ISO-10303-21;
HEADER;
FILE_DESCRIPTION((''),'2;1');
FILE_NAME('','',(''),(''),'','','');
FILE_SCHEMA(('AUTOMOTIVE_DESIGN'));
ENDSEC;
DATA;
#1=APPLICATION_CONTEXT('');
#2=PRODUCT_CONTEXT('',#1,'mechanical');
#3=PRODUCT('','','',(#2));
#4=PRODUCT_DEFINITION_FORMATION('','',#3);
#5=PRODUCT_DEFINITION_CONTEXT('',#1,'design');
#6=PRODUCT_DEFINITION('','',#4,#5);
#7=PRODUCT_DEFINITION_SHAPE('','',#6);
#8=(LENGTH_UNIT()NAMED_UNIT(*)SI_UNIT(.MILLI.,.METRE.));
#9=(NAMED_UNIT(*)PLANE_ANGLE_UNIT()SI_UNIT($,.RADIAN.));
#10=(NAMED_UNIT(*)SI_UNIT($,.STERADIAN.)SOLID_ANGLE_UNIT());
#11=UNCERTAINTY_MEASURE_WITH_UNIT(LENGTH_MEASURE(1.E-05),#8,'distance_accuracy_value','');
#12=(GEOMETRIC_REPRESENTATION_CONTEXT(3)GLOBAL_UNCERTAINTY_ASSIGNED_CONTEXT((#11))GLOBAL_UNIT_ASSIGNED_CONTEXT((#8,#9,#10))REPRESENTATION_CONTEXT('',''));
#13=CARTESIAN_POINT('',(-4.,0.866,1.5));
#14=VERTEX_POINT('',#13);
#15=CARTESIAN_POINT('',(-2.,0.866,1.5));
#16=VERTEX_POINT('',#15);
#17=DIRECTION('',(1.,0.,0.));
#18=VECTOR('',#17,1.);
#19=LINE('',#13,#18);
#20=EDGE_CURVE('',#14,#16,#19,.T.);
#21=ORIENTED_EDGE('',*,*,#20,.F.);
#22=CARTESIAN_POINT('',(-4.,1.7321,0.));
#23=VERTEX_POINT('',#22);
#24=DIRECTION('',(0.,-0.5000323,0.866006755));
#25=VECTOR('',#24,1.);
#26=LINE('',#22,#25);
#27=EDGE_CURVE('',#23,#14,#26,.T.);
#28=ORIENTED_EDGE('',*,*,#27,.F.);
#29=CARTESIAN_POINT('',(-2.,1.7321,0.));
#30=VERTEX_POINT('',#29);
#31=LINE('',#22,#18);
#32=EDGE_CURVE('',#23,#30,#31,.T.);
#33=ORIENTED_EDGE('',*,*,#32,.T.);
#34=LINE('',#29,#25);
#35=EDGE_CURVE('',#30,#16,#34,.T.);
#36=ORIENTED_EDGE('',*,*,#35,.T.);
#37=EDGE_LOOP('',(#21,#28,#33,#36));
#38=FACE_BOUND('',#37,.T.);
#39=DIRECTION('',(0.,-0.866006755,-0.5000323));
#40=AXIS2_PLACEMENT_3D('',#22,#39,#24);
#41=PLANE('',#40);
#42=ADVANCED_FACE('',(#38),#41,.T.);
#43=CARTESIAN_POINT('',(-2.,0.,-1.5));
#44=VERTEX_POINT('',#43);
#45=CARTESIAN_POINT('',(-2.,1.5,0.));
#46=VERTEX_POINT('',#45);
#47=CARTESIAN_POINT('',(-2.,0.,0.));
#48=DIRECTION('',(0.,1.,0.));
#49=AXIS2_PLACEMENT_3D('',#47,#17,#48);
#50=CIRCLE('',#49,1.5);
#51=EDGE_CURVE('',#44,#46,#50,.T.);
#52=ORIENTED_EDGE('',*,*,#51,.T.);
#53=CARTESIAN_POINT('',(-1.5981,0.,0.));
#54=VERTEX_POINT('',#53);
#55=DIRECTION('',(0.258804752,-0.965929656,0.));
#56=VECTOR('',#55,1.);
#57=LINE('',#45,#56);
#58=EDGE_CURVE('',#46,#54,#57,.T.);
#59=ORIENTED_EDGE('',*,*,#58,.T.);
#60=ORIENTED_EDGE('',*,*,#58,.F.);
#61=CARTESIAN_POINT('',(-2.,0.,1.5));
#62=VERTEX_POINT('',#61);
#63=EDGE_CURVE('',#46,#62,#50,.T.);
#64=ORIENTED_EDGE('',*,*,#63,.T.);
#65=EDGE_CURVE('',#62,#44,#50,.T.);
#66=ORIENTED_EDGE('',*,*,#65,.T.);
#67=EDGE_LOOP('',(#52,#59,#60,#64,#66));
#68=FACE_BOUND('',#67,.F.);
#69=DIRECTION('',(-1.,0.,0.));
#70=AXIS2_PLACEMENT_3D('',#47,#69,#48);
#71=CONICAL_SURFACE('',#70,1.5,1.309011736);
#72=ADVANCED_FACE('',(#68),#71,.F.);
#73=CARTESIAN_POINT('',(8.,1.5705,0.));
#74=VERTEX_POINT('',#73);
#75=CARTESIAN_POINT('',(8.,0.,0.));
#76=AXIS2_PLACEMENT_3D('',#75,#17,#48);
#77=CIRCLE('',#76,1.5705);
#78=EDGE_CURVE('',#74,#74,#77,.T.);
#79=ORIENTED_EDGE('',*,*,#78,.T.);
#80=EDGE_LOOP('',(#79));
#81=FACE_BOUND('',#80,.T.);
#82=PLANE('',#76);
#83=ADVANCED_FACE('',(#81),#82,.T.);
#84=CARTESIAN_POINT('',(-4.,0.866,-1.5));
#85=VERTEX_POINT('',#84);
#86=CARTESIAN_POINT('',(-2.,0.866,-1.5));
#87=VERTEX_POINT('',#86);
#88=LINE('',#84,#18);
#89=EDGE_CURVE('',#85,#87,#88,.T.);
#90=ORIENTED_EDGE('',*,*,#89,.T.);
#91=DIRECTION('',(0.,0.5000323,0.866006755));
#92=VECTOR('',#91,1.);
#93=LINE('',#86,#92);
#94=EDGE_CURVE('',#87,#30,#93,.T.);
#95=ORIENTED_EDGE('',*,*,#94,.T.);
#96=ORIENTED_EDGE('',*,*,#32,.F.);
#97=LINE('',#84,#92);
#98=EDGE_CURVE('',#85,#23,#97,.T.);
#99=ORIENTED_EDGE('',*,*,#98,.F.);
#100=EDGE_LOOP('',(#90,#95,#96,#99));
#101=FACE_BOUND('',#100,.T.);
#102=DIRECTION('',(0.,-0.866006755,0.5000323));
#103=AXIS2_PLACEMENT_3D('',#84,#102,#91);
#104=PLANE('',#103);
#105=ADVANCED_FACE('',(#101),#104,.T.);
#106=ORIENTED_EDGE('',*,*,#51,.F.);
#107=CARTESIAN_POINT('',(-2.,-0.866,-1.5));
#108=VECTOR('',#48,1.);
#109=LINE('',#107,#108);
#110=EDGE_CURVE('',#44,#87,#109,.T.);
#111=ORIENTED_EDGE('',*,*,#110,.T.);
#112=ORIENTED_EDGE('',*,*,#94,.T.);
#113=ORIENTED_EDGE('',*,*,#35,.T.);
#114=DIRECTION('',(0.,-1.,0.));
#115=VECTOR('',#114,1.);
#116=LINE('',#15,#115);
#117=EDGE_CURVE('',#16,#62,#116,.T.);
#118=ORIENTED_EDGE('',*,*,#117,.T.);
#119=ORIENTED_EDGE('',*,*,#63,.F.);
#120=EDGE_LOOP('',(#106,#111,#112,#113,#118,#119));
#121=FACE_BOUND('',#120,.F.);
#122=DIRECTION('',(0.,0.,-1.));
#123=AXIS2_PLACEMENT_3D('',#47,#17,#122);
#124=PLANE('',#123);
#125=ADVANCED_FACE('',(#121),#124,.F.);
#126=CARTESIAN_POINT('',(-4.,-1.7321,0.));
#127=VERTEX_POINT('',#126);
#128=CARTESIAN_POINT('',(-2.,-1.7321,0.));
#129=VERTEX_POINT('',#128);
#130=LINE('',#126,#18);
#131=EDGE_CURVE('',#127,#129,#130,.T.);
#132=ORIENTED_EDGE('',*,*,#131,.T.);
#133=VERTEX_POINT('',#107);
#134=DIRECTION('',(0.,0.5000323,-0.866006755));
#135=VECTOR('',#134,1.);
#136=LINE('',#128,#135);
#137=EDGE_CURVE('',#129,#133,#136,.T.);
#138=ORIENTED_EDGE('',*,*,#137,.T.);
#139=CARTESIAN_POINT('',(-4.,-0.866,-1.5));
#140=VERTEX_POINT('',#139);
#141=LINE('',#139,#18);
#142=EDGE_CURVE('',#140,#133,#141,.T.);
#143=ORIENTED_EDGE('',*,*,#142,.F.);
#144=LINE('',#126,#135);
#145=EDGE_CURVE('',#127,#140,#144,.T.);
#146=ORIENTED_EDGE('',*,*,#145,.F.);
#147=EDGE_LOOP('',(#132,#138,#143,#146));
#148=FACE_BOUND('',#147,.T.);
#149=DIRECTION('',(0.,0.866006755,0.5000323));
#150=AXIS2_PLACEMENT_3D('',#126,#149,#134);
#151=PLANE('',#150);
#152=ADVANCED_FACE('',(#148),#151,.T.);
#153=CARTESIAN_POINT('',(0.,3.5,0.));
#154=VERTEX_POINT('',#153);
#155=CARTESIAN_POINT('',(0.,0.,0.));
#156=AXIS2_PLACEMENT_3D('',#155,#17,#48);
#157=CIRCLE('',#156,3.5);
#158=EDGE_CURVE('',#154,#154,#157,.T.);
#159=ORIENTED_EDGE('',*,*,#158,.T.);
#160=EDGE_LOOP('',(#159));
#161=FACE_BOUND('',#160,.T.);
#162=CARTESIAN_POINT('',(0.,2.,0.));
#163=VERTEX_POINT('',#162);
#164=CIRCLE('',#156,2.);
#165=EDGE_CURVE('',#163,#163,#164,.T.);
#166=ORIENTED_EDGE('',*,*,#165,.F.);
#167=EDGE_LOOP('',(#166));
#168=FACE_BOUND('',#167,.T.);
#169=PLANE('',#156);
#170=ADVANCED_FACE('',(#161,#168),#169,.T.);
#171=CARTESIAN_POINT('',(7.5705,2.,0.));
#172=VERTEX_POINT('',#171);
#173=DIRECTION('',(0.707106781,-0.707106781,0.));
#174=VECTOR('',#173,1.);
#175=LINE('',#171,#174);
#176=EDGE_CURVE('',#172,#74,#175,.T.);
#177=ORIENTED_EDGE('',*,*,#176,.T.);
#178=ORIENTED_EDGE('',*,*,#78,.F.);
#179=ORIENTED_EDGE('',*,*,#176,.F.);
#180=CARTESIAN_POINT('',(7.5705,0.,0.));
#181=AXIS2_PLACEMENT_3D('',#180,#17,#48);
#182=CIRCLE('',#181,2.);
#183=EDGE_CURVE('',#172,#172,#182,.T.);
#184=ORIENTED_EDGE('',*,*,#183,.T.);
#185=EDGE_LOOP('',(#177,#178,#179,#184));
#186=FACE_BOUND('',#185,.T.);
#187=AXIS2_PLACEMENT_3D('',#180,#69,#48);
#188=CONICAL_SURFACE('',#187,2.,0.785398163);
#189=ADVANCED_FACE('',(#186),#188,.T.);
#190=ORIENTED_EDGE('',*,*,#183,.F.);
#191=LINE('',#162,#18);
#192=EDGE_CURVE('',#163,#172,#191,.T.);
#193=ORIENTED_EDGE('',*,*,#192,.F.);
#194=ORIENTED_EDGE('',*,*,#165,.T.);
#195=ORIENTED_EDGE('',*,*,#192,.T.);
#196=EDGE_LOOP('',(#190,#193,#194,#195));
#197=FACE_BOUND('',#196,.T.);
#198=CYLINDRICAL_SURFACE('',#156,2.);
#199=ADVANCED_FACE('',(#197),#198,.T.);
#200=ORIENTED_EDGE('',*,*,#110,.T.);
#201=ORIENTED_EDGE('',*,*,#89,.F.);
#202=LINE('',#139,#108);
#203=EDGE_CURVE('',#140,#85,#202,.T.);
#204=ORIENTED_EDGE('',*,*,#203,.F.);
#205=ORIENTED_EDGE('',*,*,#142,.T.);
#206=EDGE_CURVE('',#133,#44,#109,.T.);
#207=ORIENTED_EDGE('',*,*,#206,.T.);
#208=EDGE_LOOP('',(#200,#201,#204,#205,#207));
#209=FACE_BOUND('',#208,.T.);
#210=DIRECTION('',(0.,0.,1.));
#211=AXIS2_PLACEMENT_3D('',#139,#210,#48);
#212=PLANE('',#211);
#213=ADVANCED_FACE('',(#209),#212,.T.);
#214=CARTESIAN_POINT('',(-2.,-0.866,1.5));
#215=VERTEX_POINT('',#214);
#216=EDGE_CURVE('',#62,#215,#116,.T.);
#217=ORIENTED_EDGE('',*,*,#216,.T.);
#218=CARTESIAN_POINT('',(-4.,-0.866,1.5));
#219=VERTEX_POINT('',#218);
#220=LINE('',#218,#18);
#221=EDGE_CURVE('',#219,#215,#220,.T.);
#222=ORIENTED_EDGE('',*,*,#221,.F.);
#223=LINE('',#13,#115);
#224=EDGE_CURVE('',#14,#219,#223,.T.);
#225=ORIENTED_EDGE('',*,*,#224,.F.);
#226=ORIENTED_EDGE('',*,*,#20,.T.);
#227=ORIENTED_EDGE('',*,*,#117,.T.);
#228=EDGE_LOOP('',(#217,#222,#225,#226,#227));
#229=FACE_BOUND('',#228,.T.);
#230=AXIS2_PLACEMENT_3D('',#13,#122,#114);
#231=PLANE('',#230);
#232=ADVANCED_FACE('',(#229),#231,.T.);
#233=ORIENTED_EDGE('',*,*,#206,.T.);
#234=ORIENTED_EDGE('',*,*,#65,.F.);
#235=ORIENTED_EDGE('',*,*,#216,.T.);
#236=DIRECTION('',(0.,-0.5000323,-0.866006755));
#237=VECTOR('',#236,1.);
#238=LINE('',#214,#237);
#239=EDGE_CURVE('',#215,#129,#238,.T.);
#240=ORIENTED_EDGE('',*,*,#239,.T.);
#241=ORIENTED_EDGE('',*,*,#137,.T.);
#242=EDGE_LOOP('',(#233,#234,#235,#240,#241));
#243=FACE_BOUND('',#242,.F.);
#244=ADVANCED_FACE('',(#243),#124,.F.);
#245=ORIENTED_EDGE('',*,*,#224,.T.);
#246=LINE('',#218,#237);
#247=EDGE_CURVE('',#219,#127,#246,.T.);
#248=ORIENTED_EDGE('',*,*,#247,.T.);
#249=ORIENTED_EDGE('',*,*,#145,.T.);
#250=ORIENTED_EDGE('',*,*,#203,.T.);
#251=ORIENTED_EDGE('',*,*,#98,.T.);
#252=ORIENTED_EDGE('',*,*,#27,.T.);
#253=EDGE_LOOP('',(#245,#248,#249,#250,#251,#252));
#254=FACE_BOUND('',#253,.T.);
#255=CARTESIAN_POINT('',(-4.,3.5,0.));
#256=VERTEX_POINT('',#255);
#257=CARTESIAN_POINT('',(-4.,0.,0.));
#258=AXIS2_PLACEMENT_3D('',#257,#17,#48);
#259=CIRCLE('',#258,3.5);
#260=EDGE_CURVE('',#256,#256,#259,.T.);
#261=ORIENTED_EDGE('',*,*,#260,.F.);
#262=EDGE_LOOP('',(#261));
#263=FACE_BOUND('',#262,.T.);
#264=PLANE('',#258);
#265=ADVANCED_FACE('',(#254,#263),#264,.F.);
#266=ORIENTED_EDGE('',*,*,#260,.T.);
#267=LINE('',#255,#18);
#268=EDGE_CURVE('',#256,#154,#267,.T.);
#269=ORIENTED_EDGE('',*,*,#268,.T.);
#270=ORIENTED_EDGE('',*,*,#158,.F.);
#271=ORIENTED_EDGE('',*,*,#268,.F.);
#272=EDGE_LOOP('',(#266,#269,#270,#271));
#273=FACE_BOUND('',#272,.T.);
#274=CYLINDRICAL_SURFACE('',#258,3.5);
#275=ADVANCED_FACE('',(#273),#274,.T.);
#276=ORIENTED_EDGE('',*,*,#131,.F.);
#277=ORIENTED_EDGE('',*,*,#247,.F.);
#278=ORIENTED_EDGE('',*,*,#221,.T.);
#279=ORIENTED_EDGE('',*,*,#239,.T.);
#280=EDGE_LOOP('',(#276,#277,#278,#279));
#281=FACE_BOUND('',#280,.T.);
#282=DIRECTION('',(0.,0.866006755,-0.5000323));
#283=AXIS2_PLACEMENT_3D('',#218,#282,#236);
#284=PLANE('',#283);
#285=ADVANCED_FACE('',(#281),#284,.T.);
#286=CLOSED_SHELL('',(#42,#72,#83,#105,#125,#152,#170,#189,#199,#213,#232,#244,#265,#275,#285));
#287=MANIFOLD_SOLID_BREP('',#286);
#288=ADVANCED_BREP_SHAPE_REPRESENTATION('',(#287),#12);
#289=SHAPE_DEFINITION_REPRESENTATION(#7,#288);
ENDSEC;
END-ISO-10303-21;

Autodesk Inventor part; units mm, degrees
sketch "Sketch_1" plane through (0, 0, 0) normal (0, 0, 1) x (1, 0, 0)
  line L0 (8, 0) -> (-4, 0)
  line L1 (-4, 0) -> (-4, 3.5)
  line L2 (-4, 3.5) -> (0, 3.5)
  line L3 (0, 3.5) -> (0, 2)
  line L4 (0, 2) -> (7.5705, 2)
  line L5 (7.5705, 2) -> (8, 1.5705)
  line L6 (8, 1.5705) -> (8, 0)
  line L7 (8, 0) -> (-4, 0)
revolve "Revolution1" add sketch "Sketch_1" angle 360 about axis through (8, 0, 0) along (1, 0, 0)
thread "Thread1" size "M4x0.7" class "6g" standard "ISO Metric profile" length 7.5 offset 0.5
sketch "Sketch_4" plane through (0, 0, 0) normal (0, 0, 1) x (1, 0, 0)
  line L0 (-1.5981, 0) -> (-4, 0)
  line L1 (-4, 0) -> (-4, 1.5)
  line L2 (-4, 1.5) -> (-2, 1.5)
  line L3 (-2, 1.5) -> (-1.5981, 0)
  line L4 (-1.5981, 0) -> (-4, 0)
revolve "Revolution2" cut sketch "Sketch_4" angle 360 about axis through (-1.5981, 0, 0) along (1, 0, 0)
sketch "Sketch_3" plane through (-4, 0, 0) normal (1, 0, 0) x (0, 0, -1)
  line L0 (-1.5, 0.866) -> (-1.5, -0.866)
  line L1 (-1.5, -0.866) -> (0, -1.7321)
  line L2 (0, -1.7321) -> (1.5, -0.866)
  line L3 (1.5, -0.866) -> (1.5, 0.866)
  line L4 (1.5, 0.866) -> (0, 1.7321)
  line L5 (0, 1.7321) -> (-1.5, 0.866)
extrude "Extrusion1" cut sketch "Sketch_3" along normal blind 2
ref_plane "bolt_XY" through (0, 0, 0) normal (1, 0, 0) x (0, 0, -1)
ref_plane "bolt_YZ" through (0, 0, 0) normal (0, 0, -1) x (0, 1, 0)
ref_plane "bolt_ZX" through (0, 0, 0) normal (0, 1, 0) x (1, 0, 0)
ref_plane "nut_XY" through (8, 0, 0) normal (1, 0, 0) x (0, 0, -1)
ref_plane "nut_YZ" through (8, 0, 0) normal (0, 0, -1) x (0, 1, 0)
ref_plane "nut_ZX" through (8, 0, 0) normal (0, 1, 0) x (1, 0, 0)
properties part number "CBM4-8" material "MISUMI"
